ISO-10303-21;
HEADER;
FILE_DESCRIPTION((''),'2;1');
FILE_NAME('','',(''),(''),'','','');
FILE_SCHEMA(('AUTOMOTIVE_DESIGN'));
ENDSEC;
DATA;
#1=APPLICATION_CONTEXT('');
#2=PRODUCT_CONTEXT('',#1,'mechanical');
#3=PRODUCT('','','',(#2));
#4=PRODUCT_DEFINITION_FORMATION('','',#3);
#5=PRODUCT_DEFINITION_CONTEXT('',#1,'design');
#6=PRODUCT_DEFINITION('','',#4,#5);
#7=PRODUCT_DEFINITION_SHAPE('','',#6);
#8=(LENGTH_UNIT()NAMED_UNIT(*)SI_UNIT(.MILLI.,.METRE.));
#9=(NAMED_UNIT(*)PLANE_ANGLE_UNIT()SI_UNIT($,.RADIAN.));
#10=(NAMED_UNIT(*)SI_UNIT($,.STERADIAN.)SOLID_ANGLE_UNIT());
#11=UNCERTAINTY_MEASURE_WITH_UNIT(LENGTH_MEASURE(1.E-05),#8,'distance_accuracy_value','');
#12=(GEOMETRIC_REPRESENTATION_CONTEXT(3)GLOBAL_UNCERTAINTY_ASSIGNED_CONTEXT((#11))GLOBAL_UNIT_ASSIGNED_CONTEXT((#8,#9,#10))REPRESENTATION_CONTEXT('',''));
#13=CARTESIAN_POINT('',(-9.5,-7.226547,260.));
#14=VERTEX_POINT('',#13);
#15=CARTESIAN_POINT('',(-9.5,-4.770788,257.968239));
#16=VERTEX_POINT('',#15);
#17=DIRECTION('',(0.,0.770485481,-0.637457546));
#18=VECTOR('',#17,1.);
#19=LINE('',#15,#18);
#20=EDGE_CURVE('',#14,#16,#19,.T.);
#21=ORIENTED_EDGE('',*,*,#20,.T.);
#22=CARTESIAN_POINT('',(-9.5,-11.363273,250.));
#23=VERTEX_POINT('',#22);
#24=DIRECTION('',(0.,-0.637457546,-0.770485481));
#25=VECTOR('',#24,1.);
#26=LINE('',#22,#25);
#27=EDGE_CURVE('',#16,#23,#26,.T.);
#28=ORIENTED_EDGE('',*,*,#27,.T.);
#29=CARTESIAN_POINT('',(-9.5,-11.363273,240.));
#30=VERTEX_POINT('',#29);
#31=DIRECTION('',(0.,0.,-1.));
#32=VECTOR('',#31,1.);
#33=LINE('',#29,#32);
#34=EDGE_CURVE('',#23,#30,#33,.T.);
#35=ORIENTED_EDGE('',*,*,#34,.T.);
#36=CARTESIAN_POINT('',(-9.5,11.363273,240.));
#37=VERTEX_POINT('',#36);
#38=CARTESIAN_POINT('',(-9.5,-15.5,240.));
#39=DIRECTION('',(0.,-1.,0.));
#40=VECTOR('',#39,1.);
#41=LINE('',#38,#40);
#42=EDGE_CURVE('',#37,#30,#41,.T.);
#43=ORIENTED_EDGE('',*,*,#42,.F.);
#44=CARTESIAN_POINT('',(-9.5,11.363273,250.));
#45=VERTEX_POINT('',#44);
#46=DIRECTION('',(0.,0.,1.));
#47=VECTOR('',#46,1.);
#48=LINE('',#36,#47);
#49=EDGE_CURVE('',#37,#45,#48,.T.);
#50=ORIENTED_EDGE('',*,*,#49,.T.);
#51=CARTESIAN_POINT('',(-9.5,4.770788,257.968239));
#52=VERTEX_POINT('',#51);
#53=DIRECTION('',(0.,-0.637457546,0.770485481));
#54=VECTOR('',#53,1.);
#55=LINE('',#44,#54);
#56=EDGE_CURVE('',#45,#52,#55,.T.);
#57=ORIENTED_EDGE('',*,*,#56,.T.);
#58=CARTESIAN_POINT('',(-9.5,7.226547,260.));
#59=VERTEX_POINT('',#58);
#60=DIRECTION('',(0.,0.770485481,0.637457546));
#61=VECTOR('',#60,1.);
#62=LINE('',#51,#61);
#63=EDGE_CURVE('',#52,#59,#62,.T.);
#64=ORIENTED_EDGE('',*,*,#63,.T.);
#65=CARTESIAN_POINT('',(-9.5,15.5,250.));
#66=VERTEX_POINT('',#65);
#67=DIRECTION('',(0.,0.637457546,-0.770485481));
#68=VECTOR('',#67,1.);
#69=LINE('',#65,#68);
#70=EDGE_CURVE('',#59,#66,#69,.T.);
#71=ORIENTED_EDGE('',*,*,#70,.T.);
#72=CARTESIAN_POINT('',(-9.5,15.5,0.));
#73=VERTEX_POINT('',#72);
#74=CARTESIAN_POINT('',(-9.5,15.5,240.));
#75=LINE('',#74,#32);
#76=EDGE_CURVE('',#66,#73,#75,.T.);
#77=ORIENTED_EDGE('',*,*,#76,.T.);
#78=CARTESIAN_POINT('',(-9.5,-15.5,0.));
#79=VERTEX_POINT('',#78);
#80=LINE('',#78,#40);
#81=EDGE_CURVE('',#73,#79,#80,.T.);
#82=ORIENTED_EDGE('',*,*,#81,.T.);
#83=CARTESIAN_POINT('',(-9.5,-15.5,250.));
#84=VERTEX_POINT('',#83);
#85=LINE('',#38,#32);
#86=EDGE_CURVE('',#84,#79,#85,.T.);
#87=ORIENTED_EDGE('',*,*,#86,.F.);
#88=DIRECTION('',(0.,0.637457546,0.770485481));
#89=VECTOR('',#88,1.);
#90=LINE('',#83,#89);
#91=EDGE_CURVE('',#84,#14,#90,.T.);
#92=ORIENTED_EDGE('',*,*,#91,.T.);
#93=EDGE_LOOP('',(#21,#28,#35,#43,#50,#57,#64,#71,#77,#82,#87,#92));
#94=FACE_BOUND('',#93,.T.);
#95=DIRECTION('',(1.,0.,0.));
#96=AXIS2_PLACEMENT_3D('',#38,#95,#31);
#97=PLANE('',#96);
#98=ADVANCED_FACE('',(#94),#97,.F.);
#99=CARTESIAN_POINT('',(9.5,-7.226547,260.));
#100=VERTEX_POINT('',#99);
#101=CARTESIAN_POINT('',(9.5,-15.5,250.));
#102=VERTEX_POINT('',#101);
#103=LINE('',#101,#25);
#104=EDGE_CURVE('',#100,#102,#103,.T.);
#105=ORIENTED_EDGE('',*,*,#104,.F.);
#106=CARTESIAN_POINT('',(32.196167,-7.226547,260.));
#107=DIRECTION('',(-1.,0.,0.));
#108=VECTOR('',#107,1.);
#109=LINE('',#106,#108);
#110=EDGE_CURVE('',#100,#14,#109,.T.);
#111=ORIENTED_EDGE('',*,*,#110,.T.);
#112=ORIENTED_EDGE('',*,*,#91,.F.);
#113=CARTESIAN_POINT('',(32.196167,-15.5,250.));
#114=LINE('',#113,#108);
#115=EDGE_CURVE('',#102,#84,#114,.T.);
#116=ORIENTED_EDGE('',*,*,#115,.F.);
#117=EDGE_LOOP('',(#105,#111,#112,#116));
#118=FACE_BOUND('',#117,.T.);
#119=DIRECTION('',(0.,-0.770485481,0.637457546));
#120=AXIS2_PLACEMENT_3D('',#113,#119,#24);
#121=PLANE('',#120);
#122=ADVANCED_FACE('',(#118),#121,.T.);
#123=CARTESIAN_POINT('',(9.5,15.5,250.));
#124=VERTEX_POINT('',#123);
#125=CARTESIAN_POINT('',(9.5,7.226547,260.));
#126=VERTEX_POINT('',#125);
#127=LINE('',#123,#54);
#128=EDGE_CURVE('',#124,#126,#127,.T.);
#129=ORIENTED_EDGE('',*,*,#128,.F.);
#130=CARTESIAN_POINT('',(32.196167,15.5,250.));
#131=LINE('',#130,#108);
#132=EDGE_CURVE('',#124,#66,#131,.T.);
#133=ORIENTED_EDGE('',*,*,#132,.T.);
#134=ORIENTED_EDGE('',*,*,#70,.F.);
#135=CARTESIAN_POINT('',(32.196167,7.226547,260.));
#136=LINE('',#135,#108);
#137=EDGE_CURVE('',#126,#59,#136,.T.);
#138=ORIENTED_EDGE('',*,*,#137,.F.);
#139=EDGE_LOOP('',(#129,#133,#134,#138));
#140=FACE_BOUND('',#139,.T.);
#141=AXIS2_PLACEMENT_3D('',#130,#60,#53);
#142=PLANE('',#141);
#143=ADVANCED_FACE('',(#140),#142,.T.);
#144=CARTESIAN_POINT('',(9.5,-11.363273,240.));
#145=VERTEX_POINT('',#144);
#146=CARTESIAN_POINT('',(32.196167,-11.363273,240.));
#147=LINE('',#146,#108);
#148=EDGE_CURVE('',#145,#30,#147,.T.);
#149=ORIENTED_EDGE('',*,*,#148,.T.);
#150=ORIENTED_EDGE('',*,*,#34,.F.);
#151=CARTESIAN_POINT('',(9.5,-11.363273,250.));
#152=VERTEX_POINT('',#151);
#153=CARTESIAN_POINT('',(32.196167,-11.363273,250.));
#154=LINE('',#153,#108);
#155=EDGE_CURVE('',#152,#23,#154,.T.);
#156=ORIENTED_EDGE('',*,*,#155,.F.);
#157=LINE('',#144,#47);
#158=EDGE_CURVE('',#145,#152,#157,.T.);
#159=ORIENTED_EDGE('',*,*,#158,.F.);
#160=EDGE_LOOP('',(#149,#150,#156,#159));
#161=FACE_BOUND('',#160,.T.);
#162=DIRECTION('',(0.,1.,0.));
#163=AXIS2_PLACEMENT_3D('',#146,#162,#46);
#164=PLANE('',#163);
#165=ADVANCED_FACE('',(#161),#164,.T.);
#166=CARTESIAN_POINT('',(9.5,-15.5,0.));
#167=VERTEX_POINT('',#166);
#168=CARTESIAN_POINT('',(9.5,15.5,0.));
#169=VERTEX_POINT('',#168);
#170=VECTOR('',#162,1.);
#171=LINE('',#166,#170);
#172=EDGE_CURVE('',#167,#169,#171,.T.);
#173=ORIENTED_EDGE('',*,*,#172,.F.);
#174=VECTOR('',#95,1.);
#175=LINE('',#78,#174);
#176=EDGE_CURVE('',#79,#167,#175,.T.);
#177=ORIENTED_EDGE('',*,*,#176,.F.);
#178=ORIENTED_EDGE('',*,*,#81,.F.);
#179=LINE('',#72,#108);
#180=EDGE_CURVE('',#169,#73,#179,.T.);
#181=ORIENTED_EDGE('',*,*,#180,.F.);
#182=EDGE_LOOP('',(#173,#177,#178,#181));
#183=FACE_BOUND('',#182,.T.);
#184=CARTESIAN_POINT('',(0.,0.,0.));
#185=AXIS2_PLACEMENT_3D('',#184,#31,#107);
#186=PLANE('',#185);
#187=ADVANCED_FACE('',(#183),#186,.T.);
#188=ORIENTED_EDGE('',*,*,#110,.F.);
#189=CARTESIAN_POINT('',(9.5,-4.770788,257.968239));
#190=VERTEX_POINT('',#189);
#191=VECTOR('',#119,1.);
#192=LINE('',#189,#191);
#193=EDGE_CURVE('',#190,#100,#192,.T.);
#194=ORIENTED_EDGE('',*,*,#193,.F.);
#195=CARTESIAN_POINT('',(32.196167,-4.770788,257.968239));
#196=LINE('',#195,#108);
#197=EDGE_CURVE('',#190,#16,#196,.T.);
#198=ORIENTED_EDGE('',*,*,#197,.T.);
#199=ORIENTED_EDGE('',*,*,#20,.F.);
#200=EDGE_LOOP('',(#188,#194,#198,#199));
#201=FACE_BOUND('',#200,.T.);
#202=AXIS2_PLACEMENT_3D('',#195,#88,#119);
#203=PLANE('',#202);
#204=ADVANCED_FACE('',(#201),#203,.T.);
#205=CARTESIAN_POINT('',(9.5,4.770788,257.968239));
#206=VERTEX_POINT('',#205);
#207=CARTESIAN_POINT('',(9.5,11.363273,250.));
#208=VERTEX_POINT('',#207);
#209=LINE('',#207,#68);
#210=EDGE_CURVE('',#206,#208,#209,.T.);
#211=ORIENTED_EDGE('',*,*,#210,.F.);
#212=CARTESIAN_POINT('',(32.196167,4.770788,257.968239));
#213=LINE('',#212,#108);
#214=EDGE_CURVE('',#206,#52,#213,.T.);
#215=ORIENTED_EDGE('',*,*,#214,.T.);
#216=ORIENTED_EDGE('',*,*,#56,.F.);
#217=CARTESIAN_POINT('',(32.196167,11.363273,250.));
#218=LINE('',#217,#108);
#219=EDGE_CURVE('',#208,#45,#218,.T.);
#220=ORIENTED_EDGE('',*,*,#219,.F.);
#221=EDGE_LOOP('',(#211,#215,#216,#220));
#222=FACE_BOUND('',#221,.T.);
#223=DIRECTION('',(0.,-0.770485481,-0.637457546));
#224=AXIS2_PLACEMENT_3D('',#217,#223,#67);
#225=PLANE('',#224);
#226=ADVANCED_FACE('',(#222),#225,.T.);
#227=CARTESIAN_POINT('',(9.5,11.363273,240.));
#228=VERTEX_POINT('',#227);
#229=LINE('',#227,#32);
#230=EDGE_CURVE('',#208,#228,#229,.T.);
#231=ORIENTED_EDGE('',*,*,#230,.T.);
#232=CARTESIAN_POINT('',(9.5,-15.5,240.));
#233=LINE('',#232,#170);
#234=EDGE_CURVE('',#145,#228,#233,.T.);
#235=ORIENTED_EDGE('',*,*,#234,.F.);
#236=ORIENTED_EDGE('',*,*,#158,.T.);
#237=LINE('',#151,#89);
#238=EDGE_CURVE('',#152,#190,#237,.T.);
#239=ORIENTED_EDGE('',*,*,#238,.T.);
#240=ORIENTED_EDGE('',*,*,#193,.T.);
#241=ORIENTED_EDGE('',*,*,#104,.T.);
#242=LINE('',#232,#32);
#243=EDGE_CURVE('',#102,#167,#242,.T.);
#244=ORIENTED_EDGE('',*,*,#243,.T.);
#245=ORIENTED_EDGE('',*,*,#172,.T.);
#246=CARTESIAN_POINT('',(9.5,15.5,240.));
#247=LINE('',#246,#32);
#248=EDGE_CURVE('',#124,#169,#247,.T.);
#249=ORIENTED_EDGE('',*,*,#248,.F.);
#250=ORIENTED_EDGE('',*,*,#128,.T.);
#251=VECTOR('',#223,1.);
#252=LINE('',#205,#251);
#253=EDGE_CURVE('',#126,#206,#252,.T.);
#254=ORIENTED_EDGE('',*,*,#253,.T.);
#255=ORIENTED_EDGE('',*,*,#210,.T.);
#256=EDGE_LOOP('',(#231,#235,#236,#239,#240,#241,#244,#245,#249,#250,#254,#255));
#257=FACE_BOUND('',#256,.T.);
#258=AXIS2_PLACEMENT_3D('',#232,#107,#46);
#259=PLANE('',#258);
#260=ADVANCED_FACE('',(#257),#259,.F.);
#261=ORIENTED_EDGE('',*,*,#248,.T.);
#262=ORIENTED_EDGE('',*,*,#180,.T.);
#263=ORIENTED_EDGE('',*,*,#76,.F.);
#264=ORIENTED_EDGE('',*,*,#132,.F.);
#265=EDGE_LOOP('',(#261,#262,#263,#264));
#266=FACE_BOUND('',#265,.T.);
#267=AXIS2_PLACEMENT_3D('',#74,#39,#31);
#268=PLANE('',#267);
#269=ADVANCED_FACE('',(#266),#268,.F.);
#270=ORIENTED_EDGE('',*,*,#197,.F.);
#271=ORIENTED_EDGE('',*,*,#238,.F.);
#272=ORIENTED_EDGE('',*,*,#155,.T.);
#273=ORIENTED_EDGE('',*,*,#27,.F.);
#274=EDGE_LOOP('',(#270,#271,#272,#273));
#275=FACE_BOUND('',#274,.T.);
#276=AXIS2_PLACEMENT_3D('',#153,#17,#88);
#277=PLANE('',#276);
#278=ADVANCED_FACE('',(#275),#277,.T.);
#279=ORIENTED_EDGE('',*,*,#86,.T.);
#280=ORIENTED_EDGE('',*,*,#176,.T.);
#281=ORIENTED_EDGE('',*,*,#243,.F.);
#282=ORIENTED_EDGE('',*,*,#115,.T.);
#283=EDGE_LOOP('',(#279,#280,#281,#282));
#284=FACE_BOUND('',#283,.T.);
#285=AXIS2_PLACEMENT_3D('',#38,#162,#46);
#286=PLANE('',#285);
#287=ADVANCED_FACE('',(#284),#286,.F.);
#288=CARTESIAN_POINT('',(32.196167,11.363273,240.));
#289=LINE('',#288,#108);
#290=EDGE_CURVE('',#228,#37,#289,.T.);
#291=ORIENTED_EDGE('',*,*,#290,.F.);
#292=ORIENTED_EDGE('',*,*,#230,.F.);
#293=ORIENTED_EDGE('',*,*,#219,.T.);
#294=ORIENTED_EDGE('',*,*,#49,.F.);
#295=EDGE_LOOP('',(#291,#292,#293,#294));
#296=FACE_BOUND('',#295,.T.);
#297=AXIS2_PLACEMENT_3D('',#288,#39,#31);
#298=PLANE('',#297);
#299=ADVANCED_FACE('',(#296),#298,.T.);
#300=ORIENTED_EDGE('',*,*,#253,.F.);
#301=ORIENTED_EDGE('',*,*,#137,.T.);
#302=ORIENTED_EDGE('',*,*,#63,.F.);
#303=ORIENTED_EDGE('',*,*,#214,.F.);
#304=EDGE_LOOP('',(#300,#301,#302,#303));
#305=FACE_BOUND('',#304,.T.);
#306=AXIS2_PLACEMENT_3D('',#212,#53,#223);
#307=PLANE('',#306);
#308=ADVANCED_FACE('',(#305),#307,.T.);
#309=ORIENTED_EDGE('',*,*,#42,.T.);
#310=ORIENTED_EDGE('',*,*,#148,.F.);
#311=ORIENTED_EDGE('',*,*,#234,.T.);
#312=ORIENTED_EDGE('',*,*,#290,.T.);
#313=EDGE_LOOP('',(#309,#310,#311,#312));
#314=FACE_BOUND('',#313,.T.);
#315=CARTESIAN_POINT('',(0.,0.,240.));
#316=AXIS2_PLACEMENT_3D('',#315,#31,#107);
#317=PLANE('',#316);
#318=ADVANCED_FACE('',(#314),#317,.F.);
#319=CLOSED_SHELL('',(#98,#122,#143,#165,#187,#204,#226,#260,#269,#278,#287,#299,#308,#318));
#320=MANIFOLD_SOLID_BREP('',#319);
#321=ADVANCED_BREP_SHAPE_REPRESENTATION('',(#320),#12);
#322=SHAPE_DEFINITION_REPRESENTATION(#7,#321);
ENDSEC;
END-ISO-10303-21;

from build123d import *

# Parameters (mm, degrees)
SKETCH1_W           = 19
SKETCH1_H           = 31
BOSS_EXTRUDE1_DEPTH = 240
BOSS_EXTRUDE2_DEPTH = 19


with BuildPart() as part:
    # Sketch1 → Boss-Extrude1 (new body)
    with BuildSketch(Plane.XY):
        Rectangle(SKETCH1_W, SKETCH1_H)
    extrude(amount=BOSS_EXTRUDE1_DEPTH)

    # Sketch2 → Boss-Extrude2 (add)
    with BuildSketch(Plane.ZY.offset(9.5)):
        Polygon((240, 15.5), (250, 15.5), (260, 7.226546943), (257.968239385, 4.770788022), (250, 11.363273472), (240, 11.363273472), align=None)
        Polygon((240, -15.5), (240, -11.363273472), (250, -11.363273472), (257.968239385, -4.770788022), (260, -7.226546943), (250, -15.5), align=None)
    extrude(amount=-BOSS_EXTRUDE2_DEPTH)


solid = part.part
